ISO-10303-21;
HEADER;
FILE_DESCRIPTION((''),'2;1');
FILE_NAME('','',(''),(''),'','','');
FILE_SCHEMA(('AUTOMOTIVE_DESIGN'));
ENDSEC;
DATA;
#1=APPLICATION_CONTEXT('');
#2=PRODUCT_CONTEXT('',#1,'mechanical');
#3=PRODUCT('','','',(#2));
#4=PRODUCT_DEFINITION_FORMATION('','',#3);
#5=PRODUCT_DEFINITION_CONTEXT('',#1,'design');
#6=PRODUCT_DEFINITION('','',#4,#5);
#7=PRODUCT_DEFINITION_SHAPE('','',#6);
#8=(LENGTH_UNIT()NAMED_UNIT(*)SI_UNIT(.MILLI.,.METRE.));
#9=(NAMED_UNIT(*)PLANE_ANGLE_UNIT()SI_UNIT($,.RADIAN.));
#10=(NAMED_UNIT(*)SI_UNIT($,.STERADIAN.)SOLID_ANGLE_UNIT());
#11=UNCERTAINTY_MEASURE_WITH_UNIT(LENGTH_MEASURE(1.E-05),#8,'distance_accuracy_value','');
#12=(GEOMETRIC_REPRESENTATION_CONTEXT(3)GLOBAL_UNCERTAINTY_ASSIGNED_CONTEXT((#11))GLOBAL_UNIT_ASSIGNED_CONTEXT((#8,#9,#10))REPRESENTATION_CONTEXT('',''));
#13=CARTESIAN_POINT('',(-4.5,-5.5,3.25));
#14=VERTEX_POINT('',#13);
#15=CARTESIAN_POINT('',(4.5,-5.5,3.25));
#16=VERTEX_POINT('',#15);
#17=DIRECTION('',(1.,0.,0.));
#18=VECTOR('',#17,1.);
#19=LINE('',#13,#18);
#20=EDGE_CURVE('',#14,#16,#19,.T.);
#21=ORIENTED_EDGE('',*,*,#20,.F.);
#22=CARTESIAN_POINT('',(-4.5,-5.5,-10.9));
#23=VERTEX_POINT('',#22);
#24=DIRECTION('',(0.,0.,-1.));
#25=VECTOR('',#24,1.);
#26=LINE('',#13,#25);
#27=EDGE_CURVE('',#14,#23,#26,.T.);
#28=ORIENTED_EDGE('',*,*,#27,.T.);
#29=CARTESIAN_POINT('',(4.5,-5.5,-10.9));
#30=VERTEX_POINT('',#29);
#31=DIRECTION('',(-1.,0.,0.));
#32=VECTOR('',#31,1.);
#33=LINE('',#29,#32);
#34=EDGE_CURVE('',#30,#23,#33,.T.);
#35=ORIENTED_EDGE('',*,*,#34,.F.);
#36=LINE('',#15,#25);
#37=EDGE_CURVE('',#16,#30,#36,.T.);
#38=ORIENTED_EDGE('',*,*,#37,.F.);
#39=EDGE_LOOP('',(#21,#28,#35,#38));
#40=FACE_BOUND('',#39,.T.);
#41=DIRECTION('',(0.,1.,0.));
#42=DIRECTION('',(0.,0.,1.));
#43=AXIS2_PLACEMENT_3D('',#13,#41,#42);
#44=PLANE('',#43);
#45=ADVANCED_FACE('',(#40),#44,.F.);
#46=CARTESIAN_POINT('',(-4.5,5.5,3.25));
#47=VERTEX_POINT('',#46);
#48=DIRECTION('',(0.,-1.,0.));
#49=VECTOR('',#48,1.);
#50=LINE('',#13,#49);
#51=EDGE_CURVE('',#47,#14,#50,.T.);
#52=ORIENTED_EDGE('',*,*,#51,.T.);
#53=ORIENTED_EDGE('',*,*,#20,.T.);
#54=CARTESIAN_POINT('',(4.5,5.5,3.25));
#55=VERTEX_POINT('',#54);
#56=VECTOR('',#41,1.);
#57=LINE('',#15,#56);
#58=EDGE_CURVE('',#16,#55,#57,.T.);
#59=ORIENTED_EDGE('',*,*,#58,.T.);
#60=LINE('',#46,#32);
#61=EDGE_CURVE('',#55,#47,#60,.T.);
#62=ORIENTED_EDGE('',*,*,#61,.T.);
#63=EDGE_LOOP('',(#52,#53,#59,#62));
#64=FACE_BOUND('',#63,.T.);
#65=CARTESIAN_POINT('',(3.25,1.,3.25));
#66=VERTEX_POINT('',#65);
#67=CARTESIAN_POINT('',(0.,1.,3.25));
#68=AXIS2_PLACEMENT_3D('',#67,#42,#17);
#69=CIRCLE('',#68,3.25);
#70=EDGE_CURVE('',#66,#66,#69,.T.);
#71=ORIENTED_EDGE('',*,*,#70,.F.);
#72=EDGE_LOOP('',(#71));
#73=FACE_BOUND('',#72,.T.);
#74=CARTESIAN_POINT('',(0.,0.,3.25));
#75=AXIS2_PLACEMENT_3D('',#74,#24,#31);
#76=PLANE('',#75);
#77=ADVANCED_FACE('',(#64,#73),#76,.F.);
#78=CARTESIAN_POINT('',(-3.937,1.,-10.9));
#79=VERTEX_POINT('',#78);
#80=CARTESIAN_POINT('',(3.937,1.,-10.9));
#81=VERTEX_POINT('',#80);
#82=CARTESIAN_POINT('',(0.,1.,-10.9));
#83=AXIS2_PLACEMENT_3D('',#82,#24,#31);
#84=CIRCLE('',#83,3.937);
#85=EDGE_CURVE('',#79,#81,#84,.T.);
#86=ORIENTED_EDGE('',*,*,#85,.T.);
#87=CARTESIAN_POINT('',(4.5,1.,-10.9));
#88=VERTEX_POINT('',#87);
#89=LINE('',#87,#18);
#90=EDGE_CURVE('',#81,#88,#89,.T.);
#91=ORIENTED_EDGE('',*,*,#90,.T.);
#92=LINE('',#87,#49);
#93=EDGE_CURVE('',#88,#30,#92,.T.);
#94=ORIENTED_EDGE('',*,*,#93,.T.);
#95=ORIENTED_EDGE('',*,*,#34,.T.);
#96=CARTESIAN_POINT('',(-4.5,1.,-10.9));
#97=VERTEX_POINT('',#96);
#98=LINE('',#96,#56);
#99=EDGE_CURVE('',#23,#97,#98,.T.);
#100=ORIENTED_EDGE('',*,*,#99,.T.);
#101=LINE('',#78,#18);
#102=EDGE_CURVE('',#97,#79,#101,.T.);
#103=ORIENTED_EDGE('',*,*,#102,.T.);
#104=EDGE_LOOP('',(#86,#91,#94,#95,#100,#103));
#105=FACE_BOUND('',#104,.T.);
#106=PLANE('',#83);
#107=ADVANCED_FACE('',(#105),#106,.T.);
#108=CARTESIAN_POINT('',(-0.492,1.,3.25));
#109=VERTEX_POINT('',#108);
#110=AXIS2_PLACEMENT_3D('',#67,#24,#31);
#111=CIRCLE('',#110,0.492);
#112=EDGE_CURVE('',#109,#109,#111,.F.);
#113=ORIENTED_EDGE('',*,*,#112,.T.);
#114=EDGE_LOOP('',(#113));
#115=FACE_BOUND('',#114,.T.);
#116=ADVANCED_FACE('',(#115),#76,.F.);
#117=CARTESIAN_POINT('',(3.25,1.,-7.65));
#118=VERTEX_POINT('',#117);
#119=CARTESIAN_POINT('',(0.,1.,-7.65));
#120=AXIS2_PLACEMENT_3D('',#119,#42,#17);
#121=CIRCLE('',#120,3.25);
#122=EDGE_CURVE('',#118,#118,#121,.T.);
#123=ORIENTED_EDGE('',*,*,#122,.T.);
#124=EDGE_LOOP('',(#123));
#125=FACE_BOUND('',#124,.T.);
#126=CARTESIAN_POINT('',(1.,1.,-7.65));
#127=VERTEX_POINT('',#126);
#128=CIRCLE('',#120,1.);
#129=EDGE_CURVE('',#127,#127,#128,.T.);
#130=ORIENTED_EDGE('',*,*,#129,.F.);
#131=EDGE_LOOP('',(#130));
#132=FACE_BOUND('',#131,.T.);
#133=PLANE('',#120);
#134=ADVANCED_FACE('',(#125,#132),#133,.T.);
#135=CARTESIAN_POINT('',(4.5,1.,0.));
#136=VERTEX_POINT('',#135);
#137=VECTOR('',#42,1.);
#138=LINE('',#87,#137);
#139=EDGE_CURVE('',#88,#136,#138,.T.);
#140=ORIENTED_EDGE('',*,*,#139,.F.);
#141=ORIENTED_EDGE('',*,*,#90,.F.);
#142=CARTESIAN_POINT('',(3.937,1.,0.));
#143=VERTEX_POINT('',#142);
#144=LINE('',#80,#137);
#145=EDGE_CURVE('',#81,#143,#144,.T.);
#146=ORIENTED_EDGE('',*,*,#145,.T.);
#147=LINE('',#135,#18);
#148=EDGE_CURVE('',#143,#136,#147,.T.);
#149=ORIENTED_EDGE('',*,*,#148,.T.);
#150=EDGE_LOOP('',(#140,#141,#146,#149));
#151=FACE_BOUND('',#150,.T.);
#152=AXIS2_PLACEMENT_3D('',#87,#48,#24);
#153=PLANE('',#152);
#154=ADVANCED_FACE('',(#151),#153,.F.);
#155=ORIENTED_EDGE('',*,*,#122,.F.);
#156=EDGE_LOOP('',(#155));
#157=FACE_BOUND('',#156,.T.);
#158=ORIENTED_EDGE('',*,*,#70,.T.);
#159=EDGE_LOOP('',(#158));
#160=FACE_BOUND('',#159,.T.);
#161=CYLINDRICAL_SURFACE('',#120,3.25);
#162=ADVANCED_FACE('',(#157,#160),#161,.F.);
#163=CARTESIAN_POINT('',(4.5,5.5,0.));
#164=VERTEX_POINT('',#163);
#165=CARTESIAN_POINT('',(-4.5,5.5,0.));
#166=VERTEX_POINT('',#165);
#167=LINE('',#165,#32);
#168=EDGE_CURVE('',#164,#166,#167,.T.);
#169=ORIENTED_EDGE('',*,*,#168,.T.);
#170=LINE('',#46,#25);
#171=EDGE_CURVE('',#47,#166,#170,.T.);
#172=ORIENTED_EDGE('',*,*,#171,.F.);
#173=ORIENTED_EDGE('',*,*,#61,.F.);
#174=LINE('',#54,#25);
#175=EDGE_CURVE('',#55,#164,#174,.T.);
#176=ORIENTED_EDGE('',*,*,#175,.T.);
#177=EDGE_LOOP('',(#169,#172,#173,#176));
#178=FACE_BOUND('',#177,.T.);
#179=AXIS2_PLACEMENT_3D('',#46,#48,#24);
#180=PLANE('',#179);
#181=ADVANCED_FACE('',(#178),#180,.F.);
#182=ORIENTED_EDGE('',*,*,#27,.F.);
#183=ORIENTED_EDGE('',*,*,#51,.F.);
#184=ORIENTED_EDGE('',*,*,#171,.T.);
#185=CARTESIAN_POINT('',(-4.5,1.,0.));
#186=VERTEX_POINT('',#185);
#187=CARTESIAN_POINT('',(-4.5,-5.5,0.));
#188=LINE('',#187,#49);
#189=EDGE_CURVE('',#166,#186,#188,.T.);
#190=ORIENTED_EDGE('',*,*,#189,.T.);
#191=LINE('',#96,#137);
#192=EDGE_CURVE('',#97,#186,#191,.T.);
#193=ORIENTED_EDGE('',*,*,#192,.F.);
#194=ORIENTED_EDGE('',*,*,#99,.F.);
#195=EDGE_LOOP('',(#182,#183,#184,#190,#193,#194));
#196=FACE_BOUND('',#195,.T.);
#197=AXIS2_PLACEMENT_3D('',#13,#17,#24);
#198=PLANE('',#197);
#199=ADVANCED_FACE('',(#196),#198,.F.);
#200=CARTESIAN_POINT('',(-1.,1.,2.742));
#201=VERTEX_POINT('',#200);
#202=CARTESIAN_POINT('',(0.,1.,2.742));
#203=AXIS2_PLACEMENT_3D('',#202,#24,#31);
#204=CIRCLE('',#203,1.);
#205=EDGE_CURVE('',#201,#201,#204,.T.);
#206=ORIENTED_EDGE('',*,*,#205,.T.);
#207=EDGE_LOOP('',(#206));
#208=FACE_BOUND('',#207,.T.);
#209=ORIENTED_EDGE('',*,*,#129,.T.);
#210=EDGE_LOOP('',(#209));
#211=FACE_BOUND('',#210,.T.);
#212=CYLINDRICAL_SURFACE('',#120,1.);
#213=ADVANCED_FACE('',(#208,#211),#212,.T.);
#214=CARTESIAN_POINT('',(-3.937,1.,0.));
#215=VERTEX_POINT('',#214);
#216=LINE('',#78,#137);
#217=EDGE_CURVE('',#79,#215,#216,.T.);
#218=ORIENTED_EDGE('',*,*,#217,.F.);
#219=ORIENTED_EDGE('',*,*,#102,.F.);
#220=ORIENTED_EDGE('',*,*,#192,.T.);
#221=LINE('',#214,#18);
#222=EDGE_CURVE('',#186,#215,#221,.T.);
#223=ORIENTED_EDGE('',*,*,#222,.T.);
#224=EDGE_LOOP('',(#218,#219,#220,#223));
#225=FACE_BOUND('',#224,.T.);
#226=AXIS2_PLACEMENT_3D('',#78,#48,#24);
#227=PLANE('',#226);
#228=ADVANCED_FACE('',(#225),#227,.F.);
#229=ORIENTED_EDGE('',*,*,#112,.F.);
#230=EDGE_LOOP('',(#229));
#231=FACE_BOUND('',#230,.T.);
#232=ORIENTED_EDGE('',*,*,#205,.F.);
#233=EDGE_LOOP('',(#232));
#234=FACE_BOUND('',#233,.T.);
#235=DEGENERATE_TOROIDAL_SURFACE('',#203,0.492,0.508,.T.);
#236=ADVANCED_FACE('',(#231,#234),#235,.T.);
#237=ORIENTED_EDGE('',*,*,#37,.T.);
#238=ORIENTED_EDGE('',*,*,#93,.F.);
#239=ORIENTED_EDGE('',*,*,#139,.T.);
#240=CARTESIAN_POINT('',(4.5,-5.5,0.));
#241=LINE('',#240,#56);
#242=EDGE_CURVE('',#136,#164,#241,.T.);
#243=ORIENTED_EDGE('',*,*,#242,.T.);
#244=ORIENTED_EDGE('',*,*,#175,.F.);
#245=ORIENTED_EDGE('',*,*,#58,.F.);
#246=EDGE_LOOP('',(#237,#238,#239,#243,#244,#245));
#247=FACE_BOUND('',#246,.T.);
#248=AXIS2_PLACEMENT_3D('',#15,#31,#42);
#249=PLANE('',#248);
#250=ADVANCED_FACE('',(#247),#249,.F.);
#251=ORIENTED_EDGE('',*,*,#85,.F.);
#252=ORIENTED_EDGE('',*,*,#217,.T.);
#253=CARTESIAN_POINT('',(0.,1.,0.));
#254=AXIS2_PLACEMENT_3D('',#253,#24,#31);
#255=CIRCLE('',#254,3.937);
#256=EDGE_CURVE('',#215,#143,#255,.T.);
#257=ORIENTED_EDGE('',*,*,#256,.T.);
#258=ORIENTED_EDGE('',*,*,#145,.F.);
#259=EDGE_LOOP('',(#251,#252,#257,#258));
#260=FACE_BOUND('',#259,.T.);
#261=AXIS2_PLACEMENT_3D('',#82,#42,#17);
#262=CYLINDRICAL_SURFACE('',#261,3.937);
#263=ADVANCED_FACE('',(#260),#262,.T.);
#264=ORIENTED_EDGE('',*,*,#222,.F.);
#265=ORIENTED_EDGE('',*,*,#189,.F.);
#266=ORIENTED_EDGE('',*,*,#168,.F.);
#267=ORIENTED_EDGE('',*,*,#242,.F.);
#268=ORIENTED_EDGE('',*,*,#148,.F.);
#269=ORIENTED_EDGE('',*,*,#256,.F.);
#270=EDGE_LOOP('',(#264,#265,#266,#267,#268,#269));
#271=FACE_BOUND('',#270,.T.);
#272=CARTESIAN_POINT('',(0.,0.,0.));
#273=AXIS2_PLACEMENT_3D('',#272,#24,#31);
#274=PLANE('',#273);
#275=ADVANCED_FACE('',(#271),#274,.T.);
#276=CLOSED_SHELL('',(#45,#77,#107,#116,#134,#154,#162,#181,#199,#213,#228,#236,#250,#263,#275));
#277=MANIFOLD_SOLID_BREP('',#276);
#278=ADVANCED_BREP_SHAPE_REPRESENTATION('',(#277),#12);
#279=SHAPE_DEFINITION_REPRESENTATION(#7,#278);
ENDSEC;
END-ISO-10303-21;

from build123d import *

# Parameters (mm, degrees)
SKETCH2_W           = 9
SKETCH2_H           = 11
BOSS_EXTRUDE1_DEPTH = 3.25
BOSS_EXTRUDE2_DEPTH = 10.9
SKETCH4_R           = 3.25
SKETCH4_R_2         = 1
CUT_EXTRUDE1_DEPTH  = 10.9
FILLET1_R           = 0.508


with BuildPart() as part:
    # Sketch2 → Boss-Extrude1 (new body)
    with BuildSketch(Plane.XY):
        Rectangle(SKETCH2_W, SKETCH2_H)
    extrude(amount=BOSS_EXTRUDE1_DEPTH)

    # Sketch3 → Boss-Extrude2 (add)
    with BuildSketch(Plane(origin=(0, 0, 0), x_dir=(-1, 0, 0), z_dir=(0, 0, -1))):
        with BuildLine():
            Line((-4.5, 1), (-3.937, 1))
            ThreePointArc((-3.937, 1), (0, 4.937), (3.937, 1))
            Line((3.937, 1), (4.5, 1))
            Line((4.5, 1), (4.5, -5.5))
            Line((4.5, -5.5), (-4.5, -5.5))
            Line((-4.5, -5.5), (-4.5, 1))
        make_face()
    extrude(amount=BOSS_EXTRUDE2_DEPTH)

    # Sketch4 → Cut-Extrude1 (cut)
    with BuildSketch(Plane.XY.offset(3.25)):
        with Locations((0, 1)):
            Circle(SKETCH4_R)
        with Locations((0, 1)):
            Circle(SKETCH4_R_2, mode=Mode.SUBTRACT)
    extrude(amount=-CUT_EXTRUDE1_DEPTH, mode=Mode.SUBTRACT)

    # Fillet1
    fillet1_edges = [part.edges().sort_by_distance(p)[0] for p in [
        (-1, 1, 3.25),
    ]]
    fillet(fillet1_edges, radius=FILLET1_R)


solid = part.part
